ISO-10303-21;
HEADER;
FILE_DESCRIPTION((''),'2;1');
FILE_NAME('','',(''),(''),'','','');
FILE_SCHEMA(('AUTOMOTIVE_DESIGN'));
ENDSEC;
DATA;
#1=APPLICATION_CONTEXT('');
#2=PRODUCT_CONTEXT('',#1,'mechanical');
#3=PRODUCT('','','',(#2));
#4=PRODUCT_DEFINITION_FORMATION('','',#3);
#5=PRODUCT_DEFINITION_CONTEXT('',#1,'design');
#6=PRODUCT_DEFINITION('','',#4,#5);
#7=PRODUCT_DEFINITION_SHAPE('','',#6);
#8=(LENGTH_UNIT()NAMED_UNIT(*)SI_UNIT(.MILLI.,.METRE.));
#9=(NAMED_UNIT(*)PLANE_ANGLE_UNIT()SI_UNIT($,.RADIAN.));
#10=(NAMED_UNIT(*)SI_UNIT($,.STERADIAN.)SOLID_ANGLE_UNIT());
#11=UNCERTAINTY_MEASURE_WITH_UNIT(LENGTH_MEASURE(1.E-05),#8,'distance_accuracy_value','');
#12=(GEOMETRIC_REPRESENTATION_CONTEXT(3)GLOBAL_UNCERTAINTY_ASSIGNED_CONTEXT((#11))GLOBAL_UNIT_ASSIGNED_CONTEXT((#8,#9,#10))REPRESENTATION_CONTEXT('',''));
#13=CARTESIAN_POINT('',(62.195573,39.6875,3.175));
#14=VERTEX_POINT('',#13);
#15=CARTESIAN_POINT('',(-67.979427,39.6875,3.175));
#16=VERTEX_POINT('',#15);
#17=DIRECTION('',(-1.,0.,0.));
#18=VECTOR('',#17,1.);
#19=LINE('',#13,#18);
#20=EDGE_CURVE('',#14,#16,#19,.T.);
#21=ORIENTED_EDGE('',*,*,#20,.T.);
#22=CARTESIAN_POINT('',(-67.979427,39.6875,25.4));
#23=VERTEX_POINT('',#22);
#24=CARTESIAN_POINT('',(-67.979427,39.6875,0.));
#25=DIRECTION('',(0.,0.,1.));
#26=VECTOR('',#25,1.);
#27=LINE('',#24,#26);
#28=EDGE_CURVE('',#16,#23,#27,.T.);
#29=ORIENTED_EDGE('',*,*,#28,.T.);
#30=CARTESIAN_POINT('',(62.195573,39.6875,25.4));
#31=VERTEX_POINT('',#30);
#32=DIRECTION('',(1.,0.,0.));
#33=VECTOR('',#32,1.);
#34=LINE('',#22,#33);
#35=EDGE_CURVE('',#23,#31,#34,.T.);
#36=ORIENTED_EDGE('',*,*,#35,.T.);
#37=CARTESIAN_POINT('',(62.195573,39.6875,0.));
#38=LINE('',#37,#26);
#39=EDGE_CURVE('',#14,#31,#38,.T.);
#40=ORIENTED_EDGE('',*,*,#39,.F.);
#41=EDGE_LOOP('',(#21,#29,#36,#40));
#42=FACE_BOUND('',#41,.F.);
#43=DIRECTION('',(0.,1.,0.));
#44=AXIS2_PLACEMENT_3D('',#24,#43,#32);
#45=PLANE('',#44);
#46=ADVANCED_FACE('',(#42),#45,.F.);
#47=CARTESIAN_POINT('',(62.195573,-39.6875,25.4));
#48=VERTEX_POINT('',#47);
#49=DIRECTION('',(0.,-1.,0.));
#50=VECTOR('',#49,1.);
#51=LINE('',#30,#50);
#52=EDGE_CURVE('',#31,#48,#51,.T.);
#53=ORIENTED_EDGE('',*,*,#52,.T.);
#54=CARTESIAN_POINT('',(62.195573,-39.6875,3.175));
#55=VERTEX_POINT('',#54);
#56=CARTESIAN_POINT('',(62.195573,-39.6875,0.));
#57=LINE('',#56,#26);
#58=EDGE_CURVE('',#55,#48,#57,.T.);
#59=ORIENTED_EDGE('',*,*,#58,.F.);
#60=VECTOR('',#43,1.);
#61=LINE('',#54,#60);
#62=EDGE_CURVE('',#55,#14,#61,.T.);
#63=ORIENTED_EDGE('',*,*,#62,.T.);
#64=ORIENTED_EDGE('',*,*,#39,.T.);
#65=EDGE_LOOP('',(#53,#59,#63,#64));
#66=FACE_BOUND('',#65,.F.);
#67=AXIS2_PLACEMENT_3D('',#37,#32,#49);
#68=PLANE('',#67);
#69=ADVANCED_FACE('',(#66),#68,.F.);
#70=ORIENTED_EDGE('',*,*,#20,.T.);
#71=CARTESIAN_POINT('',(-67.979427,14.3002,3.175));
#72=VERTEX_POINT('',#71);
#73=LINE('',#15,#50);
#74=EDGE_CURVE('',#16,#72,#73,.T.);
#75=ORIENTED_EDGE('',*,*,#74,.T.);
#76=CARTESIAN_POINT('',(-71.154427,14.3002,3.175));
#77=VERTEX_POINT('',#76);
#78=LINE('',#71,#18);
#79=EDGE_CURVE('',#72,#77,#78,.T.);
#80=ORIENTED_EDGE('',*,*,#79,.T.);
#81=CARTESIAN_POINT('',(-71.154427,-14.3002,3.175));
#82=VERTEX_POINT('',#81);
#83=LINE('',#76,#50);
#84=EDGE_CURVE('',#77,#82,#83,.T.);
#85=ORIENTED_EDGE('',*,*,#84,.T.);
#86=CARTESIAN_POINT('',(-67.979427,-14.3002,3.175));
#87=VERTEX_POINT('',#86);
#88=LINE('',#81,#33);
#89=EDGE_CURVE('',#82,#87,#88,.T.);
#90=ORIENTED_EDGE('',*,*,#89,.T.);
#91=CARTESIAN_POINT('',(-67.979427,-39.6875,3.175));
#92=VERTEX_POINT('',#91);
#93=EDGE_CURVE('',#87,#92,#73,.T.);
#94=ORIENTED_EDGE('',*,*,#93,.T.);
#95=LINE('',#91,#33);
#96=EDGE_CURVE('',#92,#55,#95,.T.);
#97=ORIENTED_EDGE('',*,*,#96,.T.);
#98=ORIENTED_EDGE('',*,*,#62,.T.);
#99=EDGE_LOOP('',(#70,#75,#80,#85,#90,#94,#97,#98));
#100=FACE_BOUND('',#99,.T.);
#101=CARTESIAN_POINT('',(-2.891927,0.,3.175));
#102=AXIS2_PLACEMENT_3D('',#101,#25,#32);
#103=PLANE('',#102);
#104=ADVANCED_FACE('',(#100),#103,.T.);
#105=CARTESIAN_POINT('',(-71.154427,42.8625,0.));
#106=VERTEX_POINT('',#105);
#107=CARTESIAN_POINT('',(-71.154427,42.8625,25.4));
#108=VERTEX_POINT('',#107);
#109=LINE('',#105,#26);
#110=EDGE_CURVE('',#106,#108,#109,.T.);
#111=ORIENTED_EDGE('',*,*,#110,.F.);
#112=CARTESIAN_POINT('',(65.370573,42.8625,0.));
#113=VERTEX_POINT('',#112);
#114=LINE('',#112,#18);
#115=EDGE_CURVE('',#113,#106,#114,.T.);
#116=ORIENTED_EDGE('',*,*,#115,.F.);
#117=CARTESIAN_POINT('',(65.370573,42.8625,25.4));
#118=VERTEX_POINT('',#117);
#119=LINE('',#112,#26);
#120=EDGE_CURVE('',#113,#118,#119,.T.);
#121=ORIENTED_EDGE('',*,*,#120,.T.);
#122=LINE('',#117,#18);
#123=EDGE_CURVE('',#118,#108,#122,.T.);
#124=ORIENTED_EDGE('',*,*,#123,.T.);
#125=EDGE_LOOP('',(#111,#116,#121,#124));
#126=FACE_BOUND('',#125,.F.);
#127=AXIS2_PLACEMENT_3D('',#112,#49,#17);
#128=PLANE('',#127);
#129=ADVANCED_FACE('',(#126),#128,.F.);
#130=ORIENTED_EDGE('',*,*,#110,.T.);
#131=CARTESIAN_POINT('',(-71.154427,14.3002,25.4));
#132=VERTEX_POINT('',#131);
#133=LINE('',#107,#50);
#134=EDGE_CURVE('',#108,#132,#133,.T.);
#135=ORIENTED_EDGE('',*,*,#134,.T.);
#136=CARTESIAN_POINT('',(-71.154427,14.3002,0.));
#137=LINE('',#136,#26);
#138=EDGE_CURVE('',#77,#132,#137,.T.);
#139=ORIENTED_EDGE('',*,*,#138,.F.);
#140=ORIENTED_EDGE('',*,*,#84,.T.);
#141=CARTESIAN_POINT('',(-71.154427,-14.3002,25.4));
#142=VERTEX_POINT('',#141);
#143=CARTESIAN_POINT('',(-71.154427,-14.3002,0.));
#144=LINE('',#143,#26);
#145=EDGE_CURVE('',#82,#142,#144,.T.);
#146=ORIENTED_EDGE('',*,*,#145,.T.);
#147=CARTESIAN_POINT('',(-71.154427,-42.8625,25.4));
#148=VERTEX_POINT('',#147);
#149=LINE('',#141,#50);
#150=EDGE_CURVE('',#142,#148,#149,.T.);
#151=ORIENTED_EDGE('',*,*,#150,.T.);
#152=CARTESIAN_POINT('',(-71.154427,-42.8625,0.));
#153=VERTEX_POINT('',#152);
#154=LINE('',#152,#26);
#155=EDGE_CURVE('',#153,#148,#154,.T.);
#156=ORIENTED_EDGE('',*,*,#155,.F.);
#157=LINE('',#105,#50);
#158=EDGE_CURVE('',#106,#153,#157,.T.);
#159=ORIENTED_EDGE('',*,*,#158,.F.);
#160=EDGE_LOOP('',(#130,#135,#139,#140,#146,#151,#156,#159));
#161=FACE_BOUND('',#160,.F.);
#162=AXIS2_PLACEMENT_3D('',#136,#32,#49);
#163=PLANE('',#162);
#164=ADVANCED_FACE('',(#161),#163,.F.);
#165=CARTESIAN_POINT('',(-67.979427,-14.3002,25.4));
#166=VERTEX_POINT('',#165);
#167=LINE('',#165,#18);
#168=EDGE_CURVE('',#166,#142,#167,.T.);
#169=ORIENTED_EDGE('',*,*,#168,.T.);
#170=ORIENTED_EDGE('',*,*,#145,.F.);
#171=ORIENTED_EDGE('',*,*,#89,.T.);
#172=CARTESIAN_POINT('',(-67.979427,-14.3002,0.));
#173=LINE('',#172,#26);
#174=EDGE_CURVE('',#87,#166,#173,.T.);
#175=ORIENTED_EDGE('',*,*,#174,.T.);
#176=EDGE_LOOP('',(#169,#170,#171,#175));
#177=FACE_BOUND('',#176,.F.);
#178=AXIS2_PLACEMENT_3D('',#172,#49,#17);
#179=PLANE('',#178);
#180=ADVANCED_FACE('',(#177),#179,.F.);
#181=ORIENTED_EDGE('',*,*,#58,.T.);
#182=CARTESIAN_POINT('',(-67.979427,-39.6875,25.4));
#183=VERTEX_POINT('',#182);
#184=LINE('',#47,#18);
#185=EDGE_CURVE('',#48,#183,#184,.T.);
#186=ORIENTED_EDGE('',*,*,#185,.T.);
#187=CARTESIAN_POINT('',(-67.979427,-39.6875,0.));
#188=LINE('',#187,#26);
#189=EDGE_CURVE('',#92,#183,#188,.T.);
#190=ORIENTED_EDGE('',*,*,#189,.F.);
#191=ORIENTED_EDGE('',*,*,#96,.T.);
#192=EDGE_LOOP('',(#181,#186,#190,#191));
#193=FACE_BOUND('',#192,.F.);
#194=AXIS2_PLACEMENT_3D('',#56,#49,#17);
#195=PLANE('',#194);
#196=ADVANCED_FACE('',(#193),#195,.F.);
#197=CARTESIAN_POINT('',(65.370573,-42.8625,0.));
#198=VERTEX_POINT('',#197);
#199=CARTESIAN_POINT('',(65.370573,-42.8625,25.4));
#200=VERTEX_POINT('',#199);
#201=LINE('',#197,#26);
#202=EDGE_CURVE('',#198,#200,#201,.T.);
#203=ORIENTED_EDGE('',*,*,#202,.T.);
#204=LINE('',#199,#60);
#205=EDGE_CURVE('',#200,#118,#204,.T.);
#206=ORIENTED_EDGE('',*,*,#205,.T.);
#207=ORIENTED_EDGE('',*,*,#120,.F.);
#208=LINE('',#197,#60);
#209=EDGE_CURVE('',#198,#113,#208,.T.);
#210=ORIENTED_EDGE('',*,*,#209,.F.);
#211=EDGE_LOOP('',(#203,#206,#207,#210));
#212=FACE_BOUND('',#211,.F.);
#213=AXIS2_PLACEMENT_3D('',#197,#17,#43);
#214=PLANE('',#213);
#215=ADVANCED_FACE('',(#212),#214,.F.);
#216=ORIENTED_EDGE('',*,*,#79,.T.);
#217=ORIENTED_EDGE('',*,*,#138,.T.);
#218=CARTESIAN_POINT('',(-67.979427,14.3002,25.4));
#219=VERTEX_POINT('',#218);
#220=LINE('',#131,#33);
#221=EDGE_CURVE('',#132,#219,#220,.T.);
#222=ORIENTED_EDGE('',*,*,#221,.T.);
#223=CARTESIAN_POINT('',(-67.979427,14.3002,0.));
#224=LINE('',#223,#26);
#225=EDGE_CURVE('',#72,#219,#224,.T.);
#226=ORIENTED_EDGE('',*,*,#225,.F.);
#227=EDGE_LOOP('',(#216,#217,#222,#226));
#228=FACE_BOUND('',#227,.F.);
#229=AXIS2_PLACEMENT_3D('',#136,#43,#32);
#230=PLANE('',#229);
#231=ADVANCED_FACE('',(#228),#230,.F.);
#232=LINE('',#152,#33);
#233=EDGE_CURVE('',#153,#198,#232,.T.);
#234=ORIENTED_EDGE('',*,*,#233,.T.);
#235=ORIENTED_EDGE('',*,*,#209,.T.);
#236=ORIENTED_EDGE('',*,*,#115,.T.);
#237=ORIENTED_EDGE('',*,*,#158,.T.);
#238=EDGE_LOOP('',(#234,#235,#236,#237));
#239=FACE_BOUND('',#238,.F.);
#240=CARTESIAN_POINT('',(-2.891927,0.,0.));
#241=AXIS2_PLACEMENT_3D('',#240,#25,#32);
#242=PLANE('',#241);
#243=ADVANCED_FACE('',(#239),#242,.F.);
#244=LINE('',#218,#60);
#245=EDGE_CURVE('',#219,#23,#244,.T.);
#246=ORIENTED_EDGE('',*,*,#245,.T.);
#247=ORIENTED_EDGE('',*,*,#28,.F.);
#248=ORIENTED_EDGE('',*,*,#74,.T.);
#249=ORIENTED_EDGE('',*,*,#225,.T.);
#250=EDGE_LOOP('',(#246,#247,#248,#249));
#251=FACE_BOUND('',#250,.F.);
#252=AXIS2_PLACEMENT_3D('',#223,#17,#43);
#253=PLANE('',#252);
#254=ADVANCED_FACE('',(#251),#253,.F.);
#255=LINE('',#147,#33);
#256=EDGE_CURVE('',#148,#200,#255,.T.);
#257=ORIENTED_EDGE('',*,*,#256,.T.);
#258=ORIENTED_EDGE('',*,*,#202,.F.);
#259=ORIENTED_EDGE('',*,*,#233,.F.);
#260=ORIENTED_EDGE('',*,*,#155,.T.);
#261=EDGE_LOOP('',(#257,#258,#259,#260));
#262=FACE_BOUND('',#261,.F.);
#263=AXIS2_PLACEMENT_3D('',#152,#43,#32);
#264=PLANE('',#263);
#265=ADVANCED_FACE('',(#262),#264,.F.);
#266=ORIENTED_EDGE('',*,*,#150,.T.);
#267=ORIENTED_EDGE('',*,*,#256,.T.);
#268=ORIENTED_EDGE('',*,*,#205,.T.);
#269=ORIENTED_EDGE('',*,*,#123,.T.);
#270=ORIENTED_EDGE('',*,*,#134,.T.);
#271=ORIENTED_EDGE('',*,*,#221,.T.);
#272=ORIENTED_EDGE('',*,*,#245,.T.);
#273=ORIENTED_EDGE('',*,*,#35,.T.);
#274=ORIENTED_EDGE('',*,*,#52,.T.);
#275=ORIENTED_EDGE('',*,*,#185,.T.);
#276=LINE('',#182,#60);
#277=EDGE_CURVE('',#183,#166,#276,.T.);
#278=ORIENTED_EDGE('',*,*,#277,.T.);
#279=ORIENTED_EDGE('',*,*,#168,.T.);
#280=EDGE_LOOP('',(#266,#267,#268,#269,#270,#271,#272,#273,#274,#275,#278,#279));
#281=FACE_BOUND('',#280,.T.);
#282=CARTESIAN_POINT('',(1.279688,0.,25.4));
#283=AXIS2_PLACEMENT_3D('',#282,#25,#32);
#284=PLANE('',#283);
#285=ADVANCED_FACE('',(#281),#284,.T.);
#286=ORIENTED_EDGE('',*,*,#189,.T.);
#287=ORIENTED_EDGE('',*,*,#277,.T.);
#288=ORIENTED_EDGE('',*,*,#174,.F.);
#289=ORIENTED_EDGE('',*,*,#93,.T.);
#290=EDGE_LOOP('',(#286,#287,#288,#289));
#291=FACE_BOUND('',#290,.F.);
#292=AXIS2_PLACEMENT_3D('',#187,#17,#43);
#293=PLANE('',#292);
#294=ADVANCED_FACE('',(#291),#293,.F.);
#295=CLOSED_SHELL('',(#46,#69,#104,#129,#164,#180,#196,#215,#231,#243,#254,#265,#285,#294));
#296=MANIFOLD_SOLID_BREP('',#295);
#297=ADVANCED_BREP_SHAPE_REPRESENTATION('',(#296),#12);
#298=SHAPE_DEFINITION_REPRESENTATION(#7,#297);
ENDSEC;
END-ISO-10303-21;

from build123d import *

# Parameters (mm, degrees)
F1_DEPTH = 3.175
F2_DEPTH = 25.4


with BuildPart() as f1:
    # F0 (on Top) → F1 (new body)
    with BuildSketch(Plane.XY):
        Polygon((62.195573, -39.6875), (62.195573, 39.6875), (-67.979427, 39.6875), (-67.979427, 14.3002), (-67.979427, 0), (-67.979427, -14.3002), (-67.979427, -39.6875), (-2.891927, -39.6875), align=None)
        Polygon((-67.979427, 0), (-67.979427, 14.3002), (-71.154427, 14.3002), (-71.154427, -14.3002), (-67.979427, -14.3002), align=None)
    extrude(amount=F1_DEPTH)

    # F0 (on Top) → F2 (join)
    with BuildSketch(Plane.XY):
        Polygon((-67.979427, 39.6875), (62.195573, 39.6875), (62.195573, -39.6875), (-2.891927, -39.6875), (-67.979427, -39.6875), (-67.979427, -14.3002), (-71.154427, -14.3002), (-71.154427, -42.8625), (65.370573, -42.8625), (65.370573, 42.8625), (-71.154427, 42.8625), (-71.154427, 14.3002), (-67.979427, 14.3002), align=None)
    extrude(amount=F2_DEPTH)


solid = f1.part
